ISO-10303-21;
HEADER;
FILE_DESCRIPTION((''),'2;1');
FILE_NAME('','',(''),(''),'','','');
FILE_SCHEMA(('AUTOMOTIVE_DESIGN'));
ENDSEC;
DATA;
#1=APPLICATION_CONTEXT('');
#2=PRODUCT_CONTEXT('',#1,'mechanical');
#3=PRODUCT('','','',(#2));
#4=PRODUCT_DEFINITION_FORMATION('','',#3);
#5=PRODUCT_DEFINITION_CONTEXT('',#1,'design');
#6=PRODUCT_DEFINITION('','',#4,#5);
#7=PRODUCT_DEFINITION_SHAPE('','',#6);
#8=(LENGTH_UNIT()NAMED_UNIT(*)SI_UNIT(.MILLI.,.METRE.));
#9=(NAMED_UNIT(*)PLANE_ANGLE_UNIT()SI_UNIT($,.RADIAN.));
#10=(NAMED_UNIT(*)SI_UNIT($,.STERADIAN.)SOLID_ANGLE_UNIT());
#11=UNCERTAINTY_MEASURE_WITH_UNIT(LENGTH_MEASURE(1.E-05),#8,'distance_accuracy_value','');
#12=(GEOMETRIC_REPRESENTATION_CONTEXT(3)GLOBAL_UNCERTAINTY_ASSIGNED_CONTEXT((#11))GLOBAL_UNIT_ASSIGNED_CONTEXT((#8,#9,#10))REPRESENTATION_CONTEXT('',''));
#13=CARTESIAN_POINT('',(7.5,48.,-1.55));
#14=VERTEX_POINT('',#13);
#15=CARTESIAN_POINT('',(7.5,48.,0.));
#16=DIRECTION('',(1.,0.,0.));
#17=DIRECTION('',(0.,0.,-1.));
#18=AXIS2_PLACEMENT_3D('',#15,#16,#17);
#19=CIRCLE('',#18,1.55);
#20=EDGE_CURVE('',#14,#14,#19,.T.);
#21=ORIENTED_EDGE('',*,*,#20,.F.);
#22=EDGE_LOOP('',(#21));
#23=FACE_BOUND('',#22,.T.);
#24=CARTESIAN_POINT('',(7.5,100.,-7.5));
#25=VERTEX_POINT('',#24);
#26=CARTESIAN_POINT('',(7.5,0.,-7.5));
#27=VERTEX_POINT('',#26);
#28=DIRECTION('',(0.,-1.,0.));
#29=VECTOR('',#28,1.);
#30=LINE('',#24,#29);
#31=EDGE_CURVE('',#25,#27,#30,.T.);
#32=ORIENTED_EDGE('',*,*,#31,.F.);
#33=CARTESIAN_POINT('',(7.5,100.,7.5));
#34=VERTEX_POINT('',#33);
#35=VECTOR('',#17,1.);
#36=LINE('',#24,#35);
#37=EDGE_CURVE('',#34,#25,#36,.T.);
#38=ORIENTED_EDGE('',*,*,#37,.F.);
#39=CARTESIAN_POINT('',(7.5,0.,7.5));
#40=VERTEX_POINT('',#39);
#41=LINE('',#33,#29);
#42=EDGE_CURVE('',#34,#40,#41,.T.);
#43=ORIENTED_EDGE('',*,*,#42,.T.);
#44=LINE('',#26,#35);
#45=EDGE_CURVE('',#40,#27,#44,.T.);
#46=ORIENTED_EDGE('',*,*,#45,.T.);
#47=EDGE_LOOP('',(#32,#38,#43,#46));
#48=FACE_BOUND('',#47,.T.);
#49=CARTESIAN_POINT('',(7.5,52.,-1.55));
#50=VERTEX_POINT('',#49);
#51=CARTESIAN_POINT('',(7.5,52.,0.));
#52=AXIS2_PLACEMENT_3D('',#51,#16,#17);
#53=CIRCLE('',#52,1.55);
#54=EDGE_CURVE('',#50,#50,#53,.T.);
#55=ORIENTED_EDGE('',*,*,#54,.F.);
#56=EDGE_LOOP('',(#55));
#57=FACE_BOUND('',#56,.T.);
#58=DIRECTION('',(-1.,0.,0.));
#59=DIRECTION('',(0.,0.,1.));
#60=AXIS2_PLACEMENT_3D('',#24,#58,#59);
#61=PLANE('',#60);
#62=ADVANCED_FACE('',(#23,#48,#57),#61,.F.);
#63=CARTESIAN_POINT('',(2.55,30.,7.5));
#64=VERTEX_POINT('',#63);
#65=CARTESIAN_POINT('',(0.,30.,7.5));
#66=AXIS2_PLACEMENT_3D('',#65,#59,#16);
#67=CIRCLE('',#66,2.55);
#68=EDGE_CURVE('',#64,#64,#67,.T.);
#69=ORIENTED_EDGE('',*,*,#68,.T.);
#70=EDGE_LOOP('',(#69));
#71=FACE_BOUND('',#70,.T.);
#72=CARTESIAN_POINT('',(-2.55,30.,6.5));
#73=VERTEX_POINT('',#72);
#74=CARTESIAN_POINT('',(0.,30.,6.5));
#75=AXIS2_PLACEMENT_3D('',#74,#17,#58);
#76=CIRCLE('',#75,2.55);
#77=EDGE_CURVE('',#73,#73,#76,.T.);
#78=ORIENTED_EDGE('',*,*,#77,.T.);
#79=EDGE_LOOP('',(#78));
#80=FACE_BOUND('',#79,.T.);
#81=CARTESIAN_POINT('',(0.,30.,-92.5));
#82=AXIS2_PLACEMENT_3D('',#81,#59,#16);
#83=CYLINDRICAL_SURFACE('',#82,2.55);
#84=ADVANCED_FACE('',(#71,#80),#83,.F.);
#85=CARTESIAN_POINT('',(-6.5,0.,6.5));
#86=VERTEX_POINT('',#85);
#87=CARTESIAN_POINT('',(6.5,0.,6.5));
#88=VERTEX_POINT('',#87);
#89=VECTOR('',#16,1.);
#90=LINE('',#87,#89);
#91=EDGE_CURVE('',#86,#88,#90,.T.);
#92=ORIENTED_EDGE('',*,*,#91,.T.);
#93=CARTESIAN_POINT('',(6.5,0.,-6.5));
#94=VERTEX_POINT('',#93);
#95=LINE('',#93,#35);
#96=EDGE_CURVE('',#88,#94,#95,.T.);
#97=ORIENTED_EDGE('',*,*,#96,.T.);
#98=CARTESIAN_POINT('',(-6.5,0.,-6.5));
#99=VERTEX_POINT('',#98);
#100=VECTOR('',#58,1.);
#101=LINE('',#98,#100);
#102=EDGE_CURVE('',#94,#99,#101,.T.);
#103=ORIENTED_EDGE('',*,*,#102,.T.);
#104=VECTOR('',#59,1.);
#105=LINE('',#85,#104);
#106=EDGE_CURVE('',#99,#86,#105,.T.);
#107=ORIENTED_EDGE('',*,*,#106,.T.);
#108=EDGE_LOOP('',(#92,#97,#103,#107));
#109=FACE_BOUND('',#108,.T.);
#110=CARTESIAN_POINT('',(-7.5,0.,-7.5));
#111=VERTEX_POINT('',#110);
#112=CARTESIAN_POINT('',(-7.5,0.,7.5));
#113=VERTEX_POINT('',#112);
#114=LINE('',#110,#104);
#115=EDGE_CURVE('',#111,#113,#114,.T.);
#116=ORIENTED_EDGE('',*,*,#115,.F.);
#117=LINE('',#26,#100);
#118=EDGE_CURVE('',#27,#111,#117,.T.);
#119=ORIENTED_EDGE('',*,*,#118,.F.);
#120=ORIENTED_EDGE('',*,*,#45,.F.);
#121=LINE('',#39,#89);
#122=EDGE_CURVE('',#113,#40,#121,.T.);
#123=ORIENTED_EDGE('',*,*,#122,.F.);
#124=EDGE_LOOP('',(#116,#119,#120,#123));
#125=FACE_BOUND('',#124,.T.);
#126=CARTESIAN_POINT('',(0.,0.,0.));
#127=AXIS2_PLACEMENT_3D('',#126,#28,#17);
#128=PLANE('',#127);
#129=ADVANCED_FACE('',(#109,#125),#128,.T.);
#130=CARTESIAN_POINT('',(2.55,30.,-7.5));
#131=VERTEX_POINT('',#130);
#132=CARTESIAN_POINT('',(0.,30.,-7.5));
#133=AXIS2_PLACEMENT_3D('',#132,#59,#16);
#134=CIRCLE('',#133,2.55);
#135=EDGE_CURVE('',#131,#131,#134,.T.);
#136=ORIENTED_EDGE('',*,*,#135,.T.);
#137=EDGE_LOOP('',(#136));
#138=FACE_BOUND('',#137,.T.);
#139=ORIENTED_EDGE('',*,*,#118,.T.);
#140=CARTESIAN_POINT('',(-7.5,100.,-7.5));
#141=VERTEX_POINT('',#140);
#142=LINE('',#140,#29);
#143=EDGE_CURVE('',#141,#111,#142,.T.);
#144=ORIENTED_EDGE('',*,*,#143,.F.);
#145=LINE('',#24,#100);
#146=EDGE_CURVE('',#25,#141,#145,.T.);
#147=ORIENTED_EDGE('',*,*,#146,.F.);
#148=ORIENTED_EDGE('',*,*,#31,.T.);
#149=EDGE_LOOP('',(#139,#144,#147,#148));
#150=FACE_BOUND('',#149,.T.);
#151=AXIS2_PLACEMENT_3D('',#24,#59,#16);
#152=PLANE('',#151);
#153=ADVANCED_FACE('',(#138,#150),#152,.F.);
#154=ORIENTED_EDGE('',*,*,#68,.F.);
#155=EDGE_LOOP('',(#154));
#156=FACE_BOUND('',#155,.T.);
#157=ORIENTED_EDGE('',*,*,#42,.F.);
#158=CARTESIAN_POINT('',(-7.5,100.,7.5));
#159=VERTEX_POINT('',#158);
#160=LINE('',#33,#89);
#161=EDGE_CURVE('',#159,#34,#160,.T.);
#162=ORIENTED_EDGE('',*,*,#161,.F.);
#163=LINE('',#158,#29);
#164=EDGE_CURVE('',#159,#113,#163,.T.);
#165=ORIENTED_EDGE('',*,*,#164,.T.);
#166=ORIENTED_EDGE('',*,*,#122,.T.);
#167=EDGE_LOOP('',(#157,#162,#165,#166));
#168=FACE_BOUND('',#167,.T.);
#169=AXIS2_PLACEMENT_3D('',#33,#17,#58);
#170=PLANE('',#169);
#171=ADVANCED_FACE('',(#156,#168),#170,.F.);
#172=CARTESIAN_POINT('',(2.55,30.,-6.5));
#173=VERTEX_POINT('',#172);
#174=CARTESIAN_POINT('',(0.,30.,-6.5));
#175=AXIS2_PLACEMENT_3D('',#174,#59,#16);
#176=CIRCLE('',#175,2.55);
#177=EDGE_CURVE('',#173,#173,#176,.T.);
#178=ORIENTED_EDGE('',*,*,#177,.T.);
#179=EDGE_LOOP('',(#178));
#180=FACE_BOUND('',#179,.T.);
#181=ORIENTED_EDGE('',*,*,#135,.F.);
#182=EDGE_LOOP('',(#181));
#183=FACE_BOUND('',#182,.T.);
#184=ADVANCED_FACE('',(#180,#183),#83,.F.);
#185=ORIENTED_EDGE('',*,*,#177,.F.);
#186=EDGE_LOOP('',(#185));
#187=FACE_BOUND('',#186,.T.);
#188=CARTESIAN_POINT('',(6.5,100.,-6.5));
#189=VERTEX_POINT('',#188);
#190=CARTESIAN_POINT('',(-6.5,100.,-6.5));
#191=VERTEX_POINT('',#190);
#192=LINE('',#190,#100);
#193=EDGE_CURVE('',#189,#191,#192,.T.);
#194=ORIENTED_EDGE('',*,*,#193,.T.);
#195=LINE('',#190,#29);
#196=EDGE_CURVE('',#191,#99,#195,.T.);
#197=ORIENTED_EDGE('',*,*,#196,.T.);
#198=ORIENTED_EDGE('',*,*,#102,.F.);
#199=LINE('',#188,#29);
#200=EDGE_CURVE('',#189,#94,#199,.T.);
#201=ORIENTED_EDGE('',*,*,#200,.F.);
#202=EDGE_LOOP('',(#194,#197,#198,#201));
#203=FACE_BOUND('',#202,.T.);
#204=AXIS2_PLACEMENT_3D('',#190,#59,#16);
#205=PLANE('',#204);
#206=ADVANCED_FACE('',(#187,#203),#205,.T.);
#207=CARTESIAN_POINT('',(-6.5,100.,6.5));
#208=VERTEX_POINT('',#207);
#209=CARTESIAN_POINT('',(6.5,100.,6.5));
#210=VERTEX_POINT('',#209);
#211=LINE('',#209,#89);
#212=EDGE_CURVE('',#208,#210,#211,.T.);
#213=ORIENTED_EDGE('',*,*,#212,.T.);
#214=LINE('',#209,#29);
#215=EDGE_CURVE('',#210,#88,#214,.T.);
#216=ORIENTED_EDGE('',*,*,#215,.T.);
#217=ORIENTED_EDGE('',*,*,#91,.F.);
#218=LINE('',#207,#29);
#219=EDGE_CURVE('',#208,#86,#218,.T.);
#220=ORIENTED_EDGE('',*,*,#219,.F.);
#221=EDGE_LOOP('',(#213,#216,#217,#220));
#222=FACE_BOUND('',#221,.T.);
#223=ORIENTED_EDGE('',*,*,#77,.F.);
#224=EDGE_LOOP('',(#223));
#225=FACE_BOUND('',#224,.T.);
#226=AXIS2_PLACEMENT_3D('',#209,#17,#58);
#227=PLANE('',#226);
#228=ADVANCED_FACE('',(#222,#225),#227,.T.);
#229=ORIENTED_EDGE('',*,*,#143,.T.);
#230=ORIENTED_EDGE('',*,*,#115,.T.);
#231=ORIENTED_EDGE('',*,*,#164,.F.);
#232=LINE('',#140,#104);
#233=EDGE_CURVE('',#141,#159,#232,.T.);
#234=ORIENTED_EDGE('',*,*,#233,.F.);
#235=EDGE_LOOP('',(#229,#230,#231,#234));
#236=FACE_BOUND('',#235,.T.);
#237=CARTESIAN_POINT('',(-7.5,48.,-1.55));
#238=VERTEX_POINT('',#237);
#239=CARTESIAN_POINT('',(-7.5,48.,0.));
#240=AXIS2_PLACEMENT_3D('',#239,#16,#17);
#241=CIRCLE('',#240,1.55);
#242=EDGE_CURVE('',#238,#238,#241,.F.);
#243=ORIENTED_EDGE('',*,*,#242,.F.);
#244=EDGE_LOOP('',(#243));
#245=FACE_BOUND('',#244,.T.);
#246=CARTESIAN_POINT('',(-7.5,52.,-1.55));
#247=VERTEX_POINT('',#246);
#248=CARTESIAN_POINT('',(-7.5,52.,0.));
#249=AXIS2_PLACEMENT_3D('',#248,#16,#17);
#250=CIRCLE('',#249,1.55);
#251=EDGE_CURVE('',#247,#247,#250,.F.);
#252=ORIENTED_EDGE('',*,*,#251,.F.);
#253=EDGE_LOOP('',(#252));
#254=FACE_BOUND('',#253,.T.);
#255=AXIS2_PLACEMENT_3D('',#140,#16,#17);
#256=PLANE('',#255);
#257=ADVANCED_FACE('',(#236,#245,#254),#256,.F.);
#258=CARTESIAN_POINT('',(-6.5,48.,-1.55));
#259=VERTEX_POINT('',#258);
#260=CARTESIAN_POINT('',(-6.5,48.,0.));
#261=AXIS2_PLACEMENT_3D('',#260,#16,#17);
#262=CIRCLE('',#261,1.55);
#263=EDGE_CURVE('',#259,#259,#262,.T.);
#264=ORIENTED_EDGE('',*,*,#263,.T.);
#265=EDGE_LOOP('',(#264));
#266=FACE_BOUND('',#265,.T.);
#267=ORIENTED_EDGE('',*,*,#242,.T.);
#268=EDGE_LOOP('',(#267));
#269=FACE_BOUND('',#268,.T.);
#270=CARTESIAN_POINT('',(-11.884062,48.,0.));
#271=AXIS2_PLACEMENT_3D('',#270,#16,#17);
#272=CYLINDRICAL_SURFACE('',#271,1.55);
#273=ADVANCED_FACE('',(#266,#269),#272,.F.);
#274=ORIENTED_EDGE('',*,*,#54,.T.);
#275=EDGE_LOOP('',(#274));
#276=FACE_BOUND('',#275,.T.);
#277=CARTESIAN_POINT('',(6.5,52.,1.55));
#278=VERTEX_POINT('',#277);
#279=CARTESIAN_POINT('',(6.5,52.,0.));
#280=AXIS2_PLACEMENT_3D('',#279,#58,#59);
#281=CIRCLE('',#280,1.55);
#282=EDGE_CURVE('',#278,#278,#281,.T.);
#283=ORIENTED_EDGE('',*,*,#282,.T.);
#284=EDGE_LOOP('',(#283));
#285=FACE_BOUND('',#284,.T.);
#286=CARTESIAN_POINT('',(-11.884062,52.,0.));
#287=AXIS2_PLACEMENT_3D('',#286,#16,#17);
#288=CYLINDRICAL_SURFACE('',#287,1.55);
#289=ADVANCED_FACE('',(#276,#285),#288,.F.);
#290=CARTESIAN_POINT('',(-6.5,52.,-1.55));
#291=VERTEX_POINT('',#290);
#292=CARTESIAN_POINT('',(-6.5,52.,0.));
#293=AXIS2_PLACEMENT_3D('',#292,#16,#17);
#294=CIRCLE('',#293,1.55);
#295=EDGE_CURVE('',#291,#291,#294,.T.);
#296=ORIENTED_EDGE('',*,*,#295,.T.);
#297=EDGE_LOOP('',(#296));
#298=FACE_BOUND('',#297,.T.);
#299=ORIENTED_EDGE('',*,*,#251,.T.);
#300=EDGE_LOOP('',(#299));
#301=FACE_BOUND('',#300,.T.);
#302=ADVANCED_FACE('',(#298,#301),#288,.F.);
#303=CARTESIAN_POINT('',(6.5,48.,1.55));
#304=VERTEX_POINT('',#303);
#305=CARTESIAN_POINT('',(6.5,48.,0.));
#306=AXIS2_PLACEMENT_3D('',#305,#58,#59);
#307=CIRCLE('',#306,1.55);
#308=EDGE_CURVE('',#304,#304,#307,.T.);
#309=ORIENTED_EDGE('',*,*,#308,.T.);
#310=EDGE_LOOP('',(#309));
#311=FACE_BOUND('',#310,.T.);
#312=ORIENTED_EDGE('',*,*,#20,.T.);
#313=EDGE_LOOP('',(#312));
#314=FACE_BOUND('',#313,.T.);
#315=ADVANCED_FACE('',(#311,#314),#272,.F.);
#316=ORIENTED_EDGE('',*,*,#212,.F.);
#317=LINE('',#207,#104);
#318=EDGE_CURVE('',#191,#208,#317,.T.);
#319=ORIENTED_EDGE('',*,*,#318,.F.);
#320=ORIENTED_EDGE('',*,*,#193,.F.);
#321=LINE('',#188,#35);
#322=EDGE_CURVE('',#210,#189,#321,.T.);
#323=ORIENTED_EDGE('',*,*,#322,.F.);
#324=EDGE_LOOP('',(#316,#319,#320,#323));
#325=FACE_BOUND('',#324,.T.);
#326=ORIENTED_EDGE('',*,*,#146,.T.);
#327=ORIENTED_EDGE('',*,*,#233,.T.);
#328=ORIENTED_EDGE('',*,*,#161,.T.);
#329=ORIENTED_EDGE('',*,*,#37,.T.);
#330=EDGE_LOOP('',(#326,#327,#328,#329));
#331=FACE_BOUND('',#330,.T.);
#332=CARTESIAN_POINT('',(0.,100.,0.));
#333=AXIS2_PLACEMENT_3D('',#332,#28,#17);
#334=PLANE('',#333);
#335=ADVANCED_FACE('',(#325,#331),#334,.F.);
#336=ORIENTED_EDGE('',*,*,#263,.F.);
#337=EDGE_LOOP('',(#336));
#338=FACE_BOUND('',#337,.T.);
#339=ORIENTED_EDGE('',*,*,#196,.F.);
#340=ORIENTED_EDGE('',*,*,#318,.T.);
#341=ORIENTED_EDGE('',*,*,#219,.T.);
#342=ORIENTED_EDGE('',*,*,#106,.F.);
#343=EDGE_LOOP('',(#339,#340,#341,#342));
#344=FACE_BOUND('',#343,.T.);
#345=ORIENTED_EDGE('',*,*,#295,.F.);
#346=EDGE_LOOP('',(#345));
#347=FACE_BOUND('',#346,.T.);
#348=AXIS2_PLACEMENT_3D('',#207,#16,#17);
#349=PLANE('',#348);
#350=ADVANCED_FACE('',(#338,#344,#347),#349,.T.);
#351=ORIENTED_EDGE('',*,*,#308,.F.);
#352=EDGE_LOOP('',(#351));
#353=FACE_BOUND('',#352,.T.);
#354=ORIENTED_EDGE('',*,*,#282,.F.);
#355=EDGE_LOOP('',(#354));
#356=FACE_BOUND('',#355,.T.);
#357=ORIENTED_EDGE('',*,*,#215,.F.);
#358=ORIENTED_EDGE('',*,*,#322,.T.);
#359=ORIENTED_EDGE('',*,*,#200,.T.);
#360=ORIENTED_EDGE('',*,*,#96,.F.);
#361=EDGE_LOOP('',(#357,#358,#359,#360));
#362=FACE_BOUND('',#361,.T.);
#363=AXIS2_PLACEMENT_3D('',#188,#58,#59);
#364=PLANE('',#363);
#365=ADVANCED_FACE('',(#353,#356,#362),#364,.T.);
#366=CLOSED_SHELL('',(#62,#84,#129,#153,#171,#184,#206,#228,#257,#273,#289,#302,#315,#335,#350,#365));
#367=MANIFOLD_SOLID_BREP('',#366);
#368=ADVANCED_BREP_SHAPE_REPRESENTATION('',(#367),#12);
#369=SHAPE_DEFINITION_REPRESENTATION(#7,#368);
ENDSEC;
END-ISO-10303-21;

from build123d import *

# Parameters (mm, degrees)
SKETCH_1_W          = 15
SKETCH_1_H          = 15
SKETCH_1_W_2        = 13
SKETCH_1_H_2        = 13
EXTRUDE_1_DEPTH     = 100
SKETCH_2_R          = 2.55
CUT_EXTRUDE_1_DEPTH = 100
SKETCH_4_R          = 1.55
CUT_EXTRUDE_2_DEPTH = 15


with BuildPart() as part:
    # 草图1 → 凸台-拉伸1 (new body)
    with BuildSketch(Plane(origin=(0, 0, 0), x_dir=(1, 0, 0), z_dir=(0, 1, 0))):
        Rectangle(SKETCH_1_W, SKETCH_1_H)
        Rectangle(SKETCH_1_W_2, SKETCH_1_H_2, mode=Mode.SUBTRACT)
    extrude(amount=EXTRUDE_1_DEPTH)

    # 草图2 → 切除-拉伸1 (cut)
    with BuildSketch(Plane.XY.offset(7.5)):
        with Locations((0, 30)):
            Circle(SKETCH_2_R)
    extrude(amount=-CUT_EXTRUDE_1_DEPTH, mode=Mode.SUBTRACT)

    # 草图4 → 切除-拉伸2 (cut)
    with BuildSketch(Plane(origin=(7.5, 0, 0), x_dir=(0, 0, -1), z_dir=(1, 0, 0))):
        with Locations((0, 52)):
            Circle(SKETCH_4_R)
        with Locations((0, 48)):
            Circle(SKETCH_4_R)
    extrude(amount=-CUT_EXTRUDE_2_DEPTH, mode=Mode.SUBTRACT)


solid = part.part
